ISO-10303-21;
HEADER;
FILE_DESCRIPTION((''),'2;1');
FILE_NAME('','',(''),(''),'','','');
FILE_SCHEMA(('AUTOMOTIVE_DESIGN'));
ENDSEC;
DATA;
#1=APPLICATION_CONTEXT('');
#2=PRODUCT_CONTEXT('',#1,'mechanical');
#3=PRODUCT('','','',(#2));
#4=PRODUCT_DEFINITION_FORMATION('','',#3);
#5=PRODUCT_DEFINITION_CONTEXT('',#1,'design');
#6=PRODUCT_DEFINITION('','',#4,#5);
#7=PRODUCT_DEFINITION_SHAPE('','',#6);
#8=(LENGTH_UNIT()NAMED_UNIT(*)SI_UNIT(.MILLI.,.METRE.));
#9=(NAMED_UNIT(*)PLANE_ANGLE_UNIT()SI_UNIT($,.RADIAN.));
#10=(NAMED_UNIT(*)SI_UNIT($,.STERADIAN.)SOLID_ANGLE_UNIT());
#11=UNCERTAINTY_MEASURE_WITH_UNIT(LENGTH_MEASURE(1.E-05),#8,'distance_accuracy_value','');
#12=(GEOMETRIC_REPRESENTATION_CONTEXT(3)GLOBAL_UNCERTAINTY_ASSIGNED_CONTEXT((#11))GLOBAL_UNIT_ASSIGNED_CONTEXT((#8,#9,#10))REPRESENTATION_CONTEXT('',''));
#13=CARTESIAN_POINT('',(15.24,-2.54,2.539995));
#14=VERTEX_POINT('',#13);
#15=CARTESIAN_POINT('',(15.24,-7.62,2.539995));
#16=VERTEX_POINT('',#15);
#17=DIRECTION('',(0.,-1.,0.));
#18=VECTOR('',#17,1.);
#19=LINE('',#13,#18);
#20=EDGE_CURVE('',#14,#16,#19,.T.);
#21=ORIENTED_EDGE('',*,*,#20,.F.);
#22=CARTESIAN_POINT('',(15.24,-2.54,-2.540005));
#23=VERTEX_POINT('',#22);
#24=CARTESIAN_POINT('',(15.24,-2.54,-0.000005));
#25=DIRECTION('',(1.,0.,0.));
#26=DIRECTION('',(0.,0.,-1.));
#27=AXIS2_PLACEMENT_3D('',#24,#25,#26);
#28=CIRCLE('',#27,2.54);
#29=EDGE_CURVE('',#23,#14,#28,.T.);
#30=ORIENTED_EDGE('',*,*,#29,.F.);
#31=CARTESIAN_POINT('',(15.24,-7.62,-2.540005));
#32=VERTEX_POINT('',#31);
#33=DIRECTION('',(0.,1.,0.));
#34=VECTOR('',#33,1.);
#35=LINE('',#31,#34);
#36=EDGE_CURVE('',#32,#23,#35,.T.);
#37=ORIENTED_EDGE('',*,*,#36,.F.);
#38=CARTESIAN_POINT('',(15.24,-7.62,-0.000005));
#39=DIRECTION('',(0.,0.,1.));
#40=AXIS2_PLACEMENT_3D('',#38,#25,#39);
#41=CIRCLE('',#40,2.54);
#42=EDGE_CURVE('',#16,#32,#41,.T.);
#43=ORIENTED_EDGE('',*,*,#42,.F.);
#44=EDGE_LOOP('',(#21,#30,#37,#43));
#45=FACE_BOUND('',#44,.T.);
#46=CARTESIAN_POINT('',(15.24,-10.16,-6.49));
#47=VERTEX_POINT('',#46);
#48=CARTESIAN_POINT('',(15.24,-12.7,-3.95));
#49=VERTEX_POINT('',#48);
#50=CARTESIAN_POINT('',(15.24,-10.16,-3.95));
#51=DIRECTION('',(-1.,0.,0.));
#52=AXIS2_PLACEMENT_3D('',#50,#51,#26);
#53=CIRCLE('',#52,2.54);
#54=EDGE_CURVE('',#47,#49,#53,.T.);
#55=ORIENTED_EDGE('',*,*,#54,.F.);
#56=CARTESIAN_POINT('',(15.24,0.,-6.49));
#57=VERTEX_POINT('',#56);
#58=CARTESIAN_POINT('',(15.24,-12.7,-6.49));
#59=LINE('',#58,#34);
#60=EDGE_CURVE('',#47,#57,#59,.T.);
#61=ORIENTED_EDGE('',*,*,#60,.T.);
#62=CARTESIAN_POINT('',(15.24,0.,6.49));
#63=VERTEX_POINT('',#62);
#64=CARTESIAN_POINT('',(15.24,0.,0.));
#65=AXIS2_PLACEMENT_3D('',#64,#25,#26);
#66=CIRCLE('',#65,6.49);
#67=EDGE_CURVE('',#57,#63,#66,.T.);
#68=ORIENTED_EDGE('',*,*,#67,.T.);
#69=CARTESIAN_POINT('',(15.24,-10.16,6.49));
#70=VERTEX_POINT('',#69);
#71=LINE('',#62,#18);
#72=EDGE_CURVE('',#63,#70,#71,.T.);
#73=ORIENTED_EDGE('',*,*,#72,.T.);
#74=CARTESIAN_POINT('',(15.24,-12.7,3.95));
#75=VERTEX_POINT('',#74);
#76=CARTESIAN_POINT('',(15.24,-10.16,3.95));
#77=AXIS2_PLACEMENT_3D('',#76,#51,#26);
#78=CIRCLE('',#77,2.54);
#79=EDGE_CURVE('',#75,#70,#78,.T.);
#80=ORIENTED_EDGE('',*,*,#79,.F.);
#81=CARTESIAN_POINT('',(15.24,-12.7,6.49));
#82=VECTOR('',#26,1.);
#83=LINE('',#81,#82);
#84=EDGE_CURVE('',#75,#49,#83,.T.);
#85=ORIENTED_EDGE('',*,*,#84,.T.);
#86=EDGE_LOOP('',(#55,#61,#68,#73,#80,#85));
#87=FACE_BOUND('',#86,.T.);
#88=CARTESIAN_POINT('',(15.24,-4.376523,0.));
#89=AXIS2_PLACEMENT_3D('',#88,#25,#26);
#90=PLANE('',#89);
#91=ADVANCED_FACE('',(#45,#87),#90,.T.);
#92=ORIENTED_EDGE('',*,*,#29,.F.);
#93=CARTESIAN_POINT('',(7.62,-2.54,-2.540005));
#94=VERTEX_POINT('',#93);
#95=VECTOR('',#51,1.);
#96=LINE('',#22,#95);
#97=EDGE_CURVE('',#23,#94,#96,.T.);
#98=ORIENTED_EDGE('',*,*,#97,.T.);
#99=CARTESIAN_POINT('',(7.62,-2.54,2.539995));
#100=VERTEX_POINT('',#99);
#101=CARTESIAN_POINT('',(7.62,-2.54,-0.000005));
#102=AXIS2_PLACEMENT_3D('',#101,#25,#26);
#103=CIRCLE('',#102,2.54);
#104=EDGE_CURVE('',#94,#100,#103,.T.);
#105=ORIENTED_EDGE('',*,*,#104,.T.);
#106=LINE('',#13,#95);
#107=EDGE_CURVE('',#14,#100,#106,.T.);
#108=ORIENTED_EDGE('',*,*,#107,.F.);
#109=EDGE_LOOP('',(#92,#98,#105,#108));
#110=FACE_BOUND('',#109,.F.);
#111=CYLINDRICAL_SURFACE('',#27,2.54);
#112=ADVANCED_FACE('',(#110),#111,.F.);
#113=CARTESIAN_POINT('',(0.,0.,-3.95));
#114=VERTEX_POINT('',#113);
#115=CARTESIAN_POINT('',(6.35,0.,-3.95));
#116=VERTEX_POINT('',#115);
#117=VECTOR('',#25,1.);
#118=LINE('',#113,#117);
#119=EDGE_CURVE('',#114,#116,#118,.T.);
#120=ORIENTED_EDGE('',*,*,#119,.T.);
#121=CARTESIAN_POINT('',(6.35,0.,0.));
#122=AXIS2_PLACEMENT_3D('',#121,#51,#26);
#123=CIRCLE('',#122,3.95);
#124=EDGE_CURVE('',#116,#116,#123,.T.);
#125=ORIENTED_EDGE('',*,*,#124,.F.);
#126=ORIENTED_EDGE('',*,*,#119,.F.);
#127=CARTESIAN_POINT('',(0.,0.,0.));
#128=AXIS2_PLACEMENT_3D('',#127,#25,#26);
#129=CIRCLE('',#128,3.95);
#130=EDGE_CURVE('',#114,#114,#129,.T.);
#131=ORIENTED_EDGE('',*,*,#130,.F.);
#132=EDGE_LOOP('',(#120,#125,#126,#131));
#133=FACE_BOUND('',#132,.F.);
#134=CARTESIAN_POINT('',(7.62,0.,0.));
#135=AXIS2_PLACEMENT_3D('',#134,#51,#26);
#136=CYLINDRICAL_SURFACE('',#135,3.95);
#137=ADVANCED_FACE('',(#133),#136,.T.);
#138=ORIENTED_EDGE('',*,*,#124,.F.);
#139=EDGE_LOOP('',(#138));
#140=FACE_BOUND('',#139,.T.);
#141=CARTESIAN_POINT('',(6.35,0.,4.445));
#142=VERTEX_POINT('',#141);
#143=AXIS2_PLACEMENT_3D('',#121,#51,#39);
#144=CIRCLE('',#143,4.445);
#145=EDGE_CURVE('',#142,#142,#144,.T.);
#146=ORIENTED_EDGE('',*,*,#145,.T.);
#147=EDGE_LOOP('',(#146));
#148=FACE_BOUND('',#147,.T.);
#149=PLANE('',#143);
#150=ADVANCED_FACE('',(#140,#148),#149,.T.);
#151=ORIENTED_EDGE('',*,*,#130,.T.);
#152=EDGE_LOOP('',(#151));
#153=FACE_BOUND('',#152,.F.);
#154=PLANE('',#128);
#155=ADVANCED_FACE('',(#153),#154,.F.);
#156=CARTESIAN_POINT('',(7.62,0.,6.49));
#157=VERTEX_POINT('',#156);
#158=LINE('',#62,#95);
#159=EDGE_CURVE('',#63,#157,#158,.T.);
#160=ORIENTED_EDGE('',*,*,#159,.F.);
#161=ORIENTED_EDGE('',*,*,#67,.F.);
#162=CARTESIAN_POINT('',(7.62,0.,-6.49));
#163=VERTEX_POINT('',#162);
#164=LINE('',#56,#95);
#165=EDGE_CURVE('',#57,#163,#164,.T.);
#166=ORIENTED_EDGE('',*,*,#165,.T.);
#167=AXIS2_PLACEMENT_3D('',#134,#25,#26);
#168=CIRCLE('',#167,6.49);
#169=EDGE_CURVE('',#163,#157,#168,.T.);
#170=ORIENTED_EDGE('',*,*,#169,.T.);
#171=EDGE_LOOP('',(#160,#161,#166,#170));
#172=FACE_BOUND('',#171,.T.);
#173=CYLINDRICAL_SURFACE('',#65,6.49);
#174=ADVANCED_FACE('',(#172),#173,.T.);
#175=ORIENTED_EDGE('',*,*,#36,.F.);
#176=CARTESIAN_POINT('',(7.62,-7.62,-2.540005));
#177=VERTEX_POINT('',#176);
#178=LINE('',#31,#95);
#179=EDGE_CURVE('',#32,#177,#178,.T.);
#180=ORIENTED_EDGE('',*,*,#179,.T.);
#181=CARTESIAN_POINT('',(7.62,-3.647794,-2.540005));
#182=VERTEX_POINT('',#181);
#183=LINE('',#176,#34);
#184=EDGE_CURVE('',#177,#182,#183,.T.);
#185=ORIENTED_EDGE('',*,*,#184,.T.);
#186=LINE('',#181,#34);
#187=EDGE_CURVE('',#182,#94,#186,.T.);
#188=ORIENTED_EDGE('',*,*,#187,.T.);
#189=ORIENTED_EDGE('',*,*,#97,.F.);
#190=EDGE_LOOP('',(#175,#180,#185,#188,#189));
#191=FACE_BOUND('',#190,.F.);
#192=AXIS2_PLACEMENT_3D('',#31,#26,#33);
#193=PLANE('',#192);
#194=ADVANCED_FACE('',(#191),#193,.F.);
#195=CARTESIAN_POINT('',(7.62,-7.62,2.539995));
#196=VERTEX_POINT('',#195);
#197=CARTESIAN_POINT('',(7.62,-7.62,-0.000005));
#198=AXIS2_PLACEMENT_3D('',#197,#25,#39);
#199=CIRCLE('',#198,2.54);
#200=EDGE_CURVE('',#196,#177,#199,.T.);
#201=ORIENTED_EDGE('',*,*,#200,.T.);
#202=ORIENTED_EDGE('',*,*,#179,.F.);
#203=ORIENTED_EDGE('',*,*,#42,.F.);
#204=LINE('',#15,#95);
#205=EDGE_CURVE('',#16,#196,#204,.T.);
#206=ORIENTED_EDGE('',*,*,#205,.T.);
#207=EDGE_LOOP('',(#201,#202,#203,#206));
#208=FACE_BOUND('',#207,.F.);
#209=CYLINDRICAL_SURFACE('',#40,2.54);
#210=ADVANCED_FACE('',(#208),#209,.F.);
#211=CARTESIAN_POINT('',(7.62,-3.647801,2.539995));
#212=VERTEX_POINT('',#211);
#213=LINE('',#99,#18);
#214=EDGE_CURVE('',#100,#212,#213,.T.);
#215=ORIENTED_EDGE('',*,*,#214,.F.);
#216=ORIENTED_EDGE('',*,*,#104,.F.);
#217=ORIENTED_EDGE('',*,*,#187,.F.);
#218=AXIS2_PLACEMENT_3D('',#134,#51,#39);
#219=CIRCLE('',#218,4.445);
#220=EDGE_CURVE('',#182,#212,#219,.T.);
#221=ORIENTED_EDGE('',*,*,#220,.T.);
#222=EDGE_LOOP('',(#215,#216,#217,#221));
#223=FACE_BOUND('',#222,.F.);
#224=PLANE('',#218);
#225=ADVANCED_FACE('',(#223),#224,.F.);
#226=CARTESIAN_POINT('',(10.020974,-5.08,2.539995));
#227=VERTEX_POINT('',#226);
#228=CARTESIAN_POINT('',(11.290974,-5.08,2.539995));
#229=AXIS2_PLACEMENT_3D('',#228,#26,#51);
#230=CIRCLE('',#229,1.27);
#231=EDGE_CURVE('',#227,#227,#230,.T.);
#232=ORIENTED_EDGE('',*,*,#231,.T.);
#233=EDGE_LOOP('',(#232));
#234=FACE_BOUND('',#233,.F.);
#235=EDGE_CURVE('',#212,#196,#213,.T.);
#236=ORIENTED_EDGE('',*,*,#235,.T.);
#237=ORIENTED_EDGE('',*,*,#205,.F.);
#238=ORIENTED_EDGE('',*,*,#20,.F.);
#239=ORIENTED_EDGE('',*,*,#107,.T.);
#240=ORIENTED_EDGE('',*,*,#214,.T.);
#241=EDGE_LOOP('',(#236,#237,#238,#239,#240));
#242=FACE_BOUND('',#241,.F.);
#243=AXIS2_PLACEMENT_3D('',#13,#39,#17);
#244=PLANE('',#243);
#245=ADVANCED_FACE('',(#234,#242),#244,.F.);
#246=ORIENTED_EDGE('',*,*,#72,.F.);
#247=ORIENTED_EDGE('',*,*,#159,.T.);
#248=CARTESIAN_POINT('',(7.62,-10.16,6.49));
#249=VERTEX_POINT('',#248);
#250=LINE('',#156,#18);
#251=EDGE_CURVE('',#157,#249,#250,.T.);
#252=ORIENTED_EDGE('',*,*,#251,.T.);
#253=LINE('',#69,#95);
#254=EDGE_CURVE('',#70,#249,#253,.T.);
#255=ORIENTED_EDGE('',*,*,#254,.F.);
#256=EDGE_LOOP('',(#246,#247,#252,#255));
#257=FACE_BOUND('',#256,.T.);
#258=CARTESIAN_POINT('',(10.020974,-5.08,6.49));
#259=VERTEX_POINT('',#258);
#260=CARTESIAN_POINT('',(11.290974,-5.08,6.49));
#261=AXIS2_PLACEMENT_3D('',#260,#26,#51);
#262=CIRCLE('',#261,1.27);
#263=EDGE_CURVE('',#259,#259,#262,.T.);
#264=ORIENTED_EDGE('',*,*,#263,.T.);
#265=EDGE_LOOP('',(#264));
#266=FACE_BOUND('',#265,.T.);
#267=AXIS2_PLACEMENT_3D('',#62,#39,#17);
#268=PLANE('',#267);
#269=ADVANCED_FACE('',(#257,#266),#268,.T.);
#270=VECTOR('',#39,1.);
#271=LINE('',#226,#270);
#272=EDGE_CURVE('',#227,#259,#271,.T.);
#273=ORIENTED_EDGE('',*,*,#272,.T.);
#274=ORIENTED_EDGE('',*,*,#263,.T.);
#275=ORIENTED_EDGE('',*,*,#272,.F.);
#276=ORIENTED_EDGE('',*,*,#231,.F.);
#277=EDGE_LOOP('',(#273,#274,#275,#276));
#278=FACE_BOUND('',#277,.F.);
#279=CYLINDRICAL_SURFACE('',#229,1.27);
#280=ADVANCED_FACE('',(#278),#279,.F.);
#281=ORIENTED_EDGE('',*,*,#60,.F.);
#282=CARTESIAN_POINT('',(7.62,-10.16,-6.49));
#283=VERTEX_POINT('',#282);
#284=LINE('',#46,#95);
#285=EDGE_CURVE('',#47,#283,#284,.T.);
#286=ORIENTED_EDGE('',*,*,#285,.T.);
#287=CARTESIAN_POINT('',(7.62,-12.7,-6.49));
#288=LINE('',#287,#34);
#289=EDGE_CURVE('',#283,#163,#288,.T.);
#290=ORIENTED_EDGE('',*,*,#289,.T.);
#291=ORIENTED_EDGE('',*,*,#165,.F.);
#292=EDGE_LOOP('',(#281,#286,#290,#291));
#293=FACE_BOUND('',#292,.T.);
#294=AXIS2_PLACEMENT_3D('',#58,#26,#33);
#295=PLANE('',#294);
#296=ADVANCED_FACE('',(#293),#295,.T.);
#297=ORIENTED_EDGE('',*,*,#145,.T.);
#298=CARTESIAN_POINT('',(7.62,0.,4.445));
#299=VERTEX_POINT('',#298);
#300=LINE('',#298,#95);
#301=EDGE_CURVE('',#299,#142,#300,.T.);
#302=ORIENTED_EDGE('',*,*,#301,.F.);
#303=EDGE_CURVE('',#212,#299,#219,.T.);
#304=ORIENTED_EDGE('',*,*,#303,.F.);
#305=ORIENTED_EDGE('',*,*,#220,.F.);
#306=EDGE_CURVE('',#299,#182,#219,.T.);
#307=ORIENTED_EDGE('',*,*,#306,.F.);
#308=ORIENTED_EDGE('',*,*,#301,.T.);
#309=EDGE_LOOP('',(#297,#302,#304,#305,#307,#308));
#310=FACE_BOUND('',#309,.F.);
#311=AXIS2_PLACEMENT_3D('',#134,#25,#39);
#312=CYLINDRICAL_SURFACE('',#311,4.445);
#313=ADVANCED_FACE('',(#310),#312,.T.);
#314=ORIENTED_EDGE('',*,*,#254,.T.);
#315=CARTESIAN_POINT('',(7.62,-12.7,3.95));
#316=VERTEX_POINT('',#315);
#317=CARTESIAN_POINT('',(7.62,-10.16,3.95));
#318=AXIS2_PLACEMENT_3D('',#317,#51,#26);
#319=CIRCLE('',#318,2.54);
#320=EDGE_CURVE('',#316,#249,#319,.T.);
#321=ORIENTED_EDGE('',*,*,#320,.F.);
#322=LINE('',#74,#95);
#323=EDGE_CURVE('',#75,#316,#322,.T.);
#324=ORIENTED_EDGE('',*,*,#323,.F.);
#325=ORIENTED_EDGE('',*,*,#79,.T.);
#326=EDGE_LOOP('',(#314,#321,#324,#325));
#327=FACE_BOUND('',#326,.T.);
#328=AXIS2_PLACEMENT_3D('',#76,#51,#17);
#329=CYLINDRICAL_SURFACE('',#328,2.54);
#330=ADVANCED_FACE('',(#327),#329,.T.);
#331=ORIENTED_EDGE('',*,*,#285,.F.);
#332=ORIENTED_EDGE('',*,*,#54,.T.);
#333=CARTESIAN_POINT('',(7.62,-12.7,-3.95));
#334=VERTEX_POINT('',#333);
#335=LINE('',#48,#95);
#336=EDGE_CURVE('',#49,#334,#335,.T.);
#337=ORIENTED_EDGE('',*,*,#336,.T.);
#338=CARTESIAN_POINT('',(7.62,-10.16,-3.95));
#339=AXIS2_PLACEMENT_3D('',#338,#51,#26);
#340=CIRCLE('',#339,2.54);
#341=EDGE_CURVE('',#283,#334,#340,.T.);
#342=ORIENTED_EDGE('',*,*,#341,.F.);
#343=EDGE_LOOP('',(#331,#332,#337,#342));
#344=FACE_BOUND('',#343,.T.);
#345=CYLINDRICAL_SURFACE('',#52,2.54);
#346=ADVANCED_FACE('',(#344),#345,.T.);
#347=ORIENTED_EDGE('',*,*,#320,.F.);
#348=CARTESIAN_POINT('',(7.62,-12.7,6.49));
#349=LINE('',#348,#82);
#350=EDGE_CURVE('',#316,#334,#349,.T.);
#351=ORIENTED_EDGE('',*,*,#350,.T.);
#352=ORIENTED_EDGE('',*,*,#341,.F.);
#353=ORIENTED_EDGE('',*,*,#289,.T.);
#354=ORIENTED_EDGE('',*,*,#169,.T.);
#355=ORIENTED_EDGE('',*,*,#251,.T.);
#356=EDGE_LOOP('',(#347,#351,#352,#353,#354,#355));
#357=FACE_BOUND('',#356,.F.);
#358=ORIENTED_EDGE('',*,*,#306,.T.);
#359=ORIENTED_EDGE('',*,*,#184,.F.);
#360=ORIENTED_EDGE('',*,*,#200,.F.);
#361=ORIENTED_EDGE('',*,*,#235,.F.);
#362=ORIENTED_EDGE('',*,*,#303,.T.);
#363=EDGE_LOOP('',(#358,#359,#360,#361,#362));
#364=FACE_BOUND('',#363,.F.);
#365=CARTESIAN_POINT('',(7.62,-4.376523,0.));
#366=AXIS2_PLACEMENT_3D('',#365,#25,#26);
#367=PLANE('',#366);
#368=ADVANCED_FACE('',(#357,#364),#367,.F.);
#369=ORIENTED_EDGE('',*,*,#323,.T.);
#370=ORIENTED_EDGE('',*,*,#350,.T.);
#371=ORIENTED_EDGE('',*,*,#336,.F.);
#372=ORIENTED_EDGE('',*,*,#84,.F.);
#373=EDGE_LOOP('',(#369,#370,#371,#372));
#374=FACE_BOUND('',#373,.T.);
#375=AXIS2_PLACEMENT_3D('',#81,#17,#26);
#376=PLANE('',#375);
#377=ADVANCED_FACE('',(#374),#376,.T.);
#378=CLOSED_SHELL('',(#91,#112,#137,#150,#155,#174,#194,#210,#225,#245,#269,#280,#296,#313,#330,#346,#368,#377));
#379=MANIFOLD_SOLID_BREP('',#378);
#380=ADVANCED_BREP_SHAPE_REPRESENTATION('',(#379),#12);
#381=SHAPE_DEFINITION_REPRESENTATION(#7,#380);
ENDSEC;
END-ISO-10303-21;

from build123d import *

# Parameters (mm, degrees)
SKETCH1_R           = 3.95
BOSS_EXTRUDE1_DEPTH = 7.62
BOSS_EXTRUDE2_DEPTH = 7.62
BOSS_EXTRUDE3_DEPTH = 7.62
CUT_EXTRUDE1_DEPTH  = 7.62
SKETCH6_R           = 1.27
CUT_EXTRUDE2_DEPTH  = 4.9500048
SKETCH7_R           = 4.445
BOSS_EXTRUDE4_DEPTH = 1.27
FILLET1_R           = 2.54


with BuildPart() as part:
    # Sketch1 → Boss-Extrude1 (new body)
    with BuildSketch(Plane(origin=(0, 0, 0), x_dir=(0, 0, -1), z_dir=(1, 0, 0))):
        Circle(SKETCH1_R)
    extrude(amount=BOSS_EXTRUDE1_DEPTH)

    # Sketch2 → Boss-Extrude2 (add)
    with BuildSketch(Plane(origin=(7.62, 0, 0), x_dir=(0, 0, -1), z_dir=(1, 0, 0))):
        with BuildLine():
            Line((-3.95, 0), (-3.95, -10.16))
            Line((-3.95, -10.16), (3.95, -10.16))
            Line((3.95, -10.16), (3.95, 0))
            ThreePointArc((3.95, 0), (0, 3.95), (-3.95, 0))
        make_face()
    extrude(amount=BOSS_EXTRUDE2_DEPTH)

    # Sketch4 → Boss-Extrude3 (add)
    with BuildSketch(Plane(origin=(15.24, 0, 0), x_dir=(0, 0, -1), z_dir=(1, 0, 0))):
        with BuildLine():
            Line((-6.49, 0), (-6.49, -12.7))
            Line((-6.49, -12.7), (6.49, -12.7))
            Line((6.49, -12.7), (6.49, 0))
            ThreePointArc((6.49, 0), (0, 6.49), (-6.49, 0))
        make_face()
        with BuildLine():
            Line((-3.95, 0), (-3.95, -10.16))
            Line((-3.95, -10.16), (3.95, -10.16))
            Line((3.95, -10.16), (3.95, 0))
            ThreePointArc((3.95, 0), (0, 3.95), (-3.95, 0))
        make_face(mode=Mode.SUBTRACT)
    extrude(amount=-BOSS_EXTRUDE3_DEPTH)

    # Sketch5 → Cut-Extrude1 (cut)
    with BuildSketch(Plane(origin=(15.24, 0, 0), x_dir=(0, 0, -1), z_dir=(1, 0, 0))):
        with BuildLine():
            Line((-2.5399952, -2.54), (-2.5399952, -7.62))
            ThreePointArc((-2.5399952, -7.62), (4.8e-06, -10.16), (2.5400048, -7.62))
            Line((2.5400048, -7.62), (2.5400048, -2.54))
            ThreePointArc((2.5400048, -2.54), (4.8e-06, 0), (-2.5399952, -2.54))
        make_face()
    extrude(amount=-CUT_EXTRUDE1_DEPTH, mode=Mode.SUBTRACT)

    # Sketch6 → Cut-Extrude2 (cut, through all)
    with BuildSketch(Plane(origin=(0, 0, 2.5399952), x_dir=(-1, 0, 0), z_dir=(0, 0, -1))):
        with Locations((-11.290974186, -5.08)):
            Circle(SKETCH6_R)
    extrude(amount=-CUT_EXTRUDE2_DEPTH, mode=Mode.SUBTRACT)

    # Sketch7 → Boss-Extrude4 (add)
    with BuildSketch(Plane.ZY.offset(-7.62)):
        Circle(SKETCH7_R)
    extrude(amount=BOSS_EXTRUDE4_DEPTH)

    # Fillet1
    fillet1_edges = [part.edges().sort_by_distance(p)[0] for p in [
        (11.43, -12.7, -6.49),
        (11.43, -12.7, 6.49),
    ]]
    fillet(fillet1_edges, radius=FILLET1_R)


solid = part.part
